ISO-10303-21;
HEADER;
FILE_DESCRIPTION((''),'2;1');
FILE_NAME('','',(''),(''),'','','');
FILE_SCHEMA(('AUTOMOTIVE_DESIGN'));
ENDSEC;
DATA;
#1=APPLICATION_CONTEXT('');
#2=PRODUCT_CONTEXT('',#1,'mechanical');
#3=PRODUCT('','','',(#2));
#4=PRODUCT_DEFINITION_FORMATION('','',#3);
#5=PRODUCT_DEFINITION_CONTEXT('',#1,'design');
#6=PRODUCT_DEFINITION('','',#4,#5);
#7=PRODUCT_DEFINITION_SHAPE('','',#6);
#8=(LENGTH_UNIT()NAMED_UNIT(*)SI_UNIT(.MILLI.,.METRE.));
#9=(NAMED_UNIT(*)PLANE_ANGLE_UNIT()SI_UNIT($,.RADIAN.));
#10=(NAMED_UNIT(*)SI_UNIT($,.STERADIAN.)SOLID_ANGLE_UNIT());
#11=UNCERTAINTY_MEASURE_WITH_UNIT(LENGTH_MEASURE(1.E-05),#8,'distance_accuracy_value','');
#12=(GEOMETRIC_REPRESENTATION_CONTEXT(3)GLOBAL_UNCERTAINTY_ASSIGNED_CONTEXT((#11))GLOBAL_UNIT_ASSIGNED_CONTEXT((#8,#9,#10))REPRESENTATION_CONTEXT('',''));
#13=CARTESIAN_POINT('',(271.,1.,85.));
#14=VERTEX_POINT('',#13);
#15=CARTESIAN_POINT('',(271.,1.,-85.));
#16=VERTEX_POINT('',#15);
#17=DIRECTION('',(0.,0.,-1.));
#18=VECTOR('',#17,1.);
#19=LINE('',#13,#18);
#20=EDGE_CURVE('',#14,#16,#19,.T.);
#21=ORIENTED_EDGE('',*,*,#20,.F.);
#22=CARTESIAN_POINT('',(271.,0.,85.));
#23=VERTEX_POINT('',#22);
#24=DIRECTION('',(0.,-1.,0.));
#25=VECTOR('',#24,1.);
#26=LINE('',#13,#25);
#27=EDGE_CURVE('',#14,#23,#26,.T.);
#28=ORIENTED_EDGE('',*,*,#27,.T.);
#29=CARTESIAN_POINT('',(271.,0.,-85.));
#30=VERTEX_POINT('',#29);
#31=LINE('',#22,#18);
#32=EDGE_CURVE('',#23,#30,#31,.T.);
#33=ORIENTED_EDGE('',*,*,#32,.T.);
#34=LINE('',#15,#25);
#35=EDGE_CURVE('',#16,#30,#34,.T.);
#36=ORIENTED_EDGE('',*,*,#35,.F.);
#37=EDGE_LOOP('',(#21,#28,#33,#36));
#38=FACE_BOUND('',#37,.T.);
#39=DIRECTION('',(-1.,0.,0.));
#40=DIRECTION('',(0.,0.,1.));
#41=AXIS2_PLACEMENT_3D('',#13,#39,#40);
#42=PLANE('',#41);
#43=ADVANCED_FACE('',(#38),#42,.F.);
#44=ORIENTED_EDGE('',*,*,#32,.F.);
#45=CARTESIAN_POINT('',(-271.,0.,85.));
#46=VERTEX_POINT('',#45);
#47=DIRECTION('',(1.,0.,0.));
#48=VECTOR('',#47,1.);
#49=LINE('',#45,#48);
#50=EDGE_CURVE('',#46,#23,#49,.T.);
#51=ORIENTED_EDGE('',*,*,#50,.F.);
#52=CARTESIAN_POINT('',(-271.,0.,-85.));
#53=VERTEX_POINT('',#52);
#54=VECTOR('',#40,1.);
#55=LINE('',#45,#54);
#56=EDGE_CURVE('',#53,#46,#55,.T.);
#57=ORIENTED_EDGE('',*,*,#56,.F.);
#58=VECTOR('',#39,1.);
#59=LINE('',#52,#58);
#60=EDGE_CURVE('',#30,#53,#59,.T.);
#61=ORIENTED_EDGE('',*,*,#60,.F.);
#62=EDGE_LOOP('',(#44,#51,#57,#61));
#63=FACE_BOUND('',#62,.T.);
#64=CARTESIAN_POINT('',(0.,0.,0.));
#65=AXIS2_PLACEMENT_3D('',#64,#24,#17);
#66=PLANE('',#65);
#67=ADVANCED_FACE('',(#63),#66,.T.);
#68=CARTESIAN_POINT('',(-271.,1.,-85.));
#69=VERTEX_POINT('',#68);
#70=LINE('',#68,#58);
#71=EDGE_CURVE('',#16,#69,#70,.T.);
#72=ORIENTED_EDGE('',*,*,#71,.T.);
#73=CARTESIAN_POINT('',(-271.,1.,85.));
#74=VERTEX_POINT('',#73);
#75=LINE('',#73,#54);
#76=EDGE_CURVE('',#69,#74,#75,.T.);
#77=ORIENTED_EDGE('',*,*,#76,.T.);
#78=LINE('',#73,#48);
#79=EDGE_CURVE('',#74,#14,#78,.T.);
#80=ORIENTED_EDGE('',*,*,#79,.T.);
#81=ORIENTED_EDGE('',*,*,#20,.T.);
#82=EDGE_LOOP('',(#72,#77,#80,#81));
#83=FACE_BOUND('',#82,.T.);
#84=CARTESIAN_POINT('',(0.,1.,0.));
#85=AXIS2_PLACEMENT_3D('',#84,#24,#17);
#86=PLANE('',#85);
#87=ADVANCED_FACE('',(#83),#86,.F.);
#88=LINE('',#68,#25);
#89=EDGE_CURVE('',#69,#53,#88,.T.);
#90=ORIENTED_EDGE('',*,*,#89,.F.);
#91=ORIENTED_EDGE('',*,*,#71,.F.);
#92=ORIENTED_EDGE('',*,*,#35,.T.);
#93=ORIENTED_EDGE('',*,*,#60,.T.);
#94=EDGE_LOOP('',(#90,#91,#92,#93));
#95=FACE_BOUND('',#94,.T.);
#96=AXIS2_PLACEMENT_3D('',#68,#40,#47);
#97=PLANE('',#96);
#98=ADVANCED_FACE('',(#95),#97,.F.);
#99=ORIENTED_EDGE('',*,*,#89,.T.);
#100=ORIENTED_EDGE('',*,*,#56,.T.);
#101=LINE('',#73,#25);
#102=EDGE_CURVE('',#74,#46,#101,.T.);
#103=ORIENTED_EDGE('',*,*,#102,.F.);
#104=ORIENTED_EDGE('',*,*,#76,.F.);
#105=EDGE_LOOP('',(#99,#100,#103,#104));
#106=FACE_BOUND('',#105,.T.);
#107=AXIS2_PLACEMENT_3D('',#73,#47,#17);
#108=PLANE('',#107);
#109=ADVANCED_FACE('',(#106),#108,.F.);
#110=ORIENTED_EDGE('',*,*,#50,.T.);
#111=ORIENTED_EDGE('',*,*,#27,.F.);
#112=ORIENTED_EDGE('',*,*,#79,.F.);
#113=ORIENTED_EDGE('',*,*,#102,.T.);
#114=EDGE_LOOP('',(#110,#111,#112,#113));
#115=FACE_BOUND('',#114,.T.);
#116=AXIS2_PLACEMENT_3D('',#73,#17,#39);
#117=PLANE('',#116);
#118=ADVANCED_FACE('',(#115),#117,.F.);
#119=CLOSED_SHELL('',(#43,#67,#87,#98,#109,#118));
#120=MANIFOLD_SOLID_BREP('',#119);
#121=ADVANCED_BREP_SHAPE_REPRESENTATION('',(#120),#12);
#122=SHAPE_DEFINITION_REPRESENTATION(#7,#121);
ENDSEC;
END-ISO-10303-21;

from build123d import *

# Parameters (mm, degrees)
SKETCH1_W           = 542
SKETCH1_H           = 170
BOSS_EXTRUDE1_DEPTH = 1


with BuildPart() as part:
    # Sketch1 → Boss-Extrude1 (new body)
    with BuildSketch(Plane(origin=(0, 0, 0), x_dir=(1, 0, 0), z_dir=(0, 1, 0))):
        Rectangle(SKETCH1_W, SKETCH1_H)
    extrude(amount=BOSS_EXTRUDE1_DEPTH)


solid = part.part
